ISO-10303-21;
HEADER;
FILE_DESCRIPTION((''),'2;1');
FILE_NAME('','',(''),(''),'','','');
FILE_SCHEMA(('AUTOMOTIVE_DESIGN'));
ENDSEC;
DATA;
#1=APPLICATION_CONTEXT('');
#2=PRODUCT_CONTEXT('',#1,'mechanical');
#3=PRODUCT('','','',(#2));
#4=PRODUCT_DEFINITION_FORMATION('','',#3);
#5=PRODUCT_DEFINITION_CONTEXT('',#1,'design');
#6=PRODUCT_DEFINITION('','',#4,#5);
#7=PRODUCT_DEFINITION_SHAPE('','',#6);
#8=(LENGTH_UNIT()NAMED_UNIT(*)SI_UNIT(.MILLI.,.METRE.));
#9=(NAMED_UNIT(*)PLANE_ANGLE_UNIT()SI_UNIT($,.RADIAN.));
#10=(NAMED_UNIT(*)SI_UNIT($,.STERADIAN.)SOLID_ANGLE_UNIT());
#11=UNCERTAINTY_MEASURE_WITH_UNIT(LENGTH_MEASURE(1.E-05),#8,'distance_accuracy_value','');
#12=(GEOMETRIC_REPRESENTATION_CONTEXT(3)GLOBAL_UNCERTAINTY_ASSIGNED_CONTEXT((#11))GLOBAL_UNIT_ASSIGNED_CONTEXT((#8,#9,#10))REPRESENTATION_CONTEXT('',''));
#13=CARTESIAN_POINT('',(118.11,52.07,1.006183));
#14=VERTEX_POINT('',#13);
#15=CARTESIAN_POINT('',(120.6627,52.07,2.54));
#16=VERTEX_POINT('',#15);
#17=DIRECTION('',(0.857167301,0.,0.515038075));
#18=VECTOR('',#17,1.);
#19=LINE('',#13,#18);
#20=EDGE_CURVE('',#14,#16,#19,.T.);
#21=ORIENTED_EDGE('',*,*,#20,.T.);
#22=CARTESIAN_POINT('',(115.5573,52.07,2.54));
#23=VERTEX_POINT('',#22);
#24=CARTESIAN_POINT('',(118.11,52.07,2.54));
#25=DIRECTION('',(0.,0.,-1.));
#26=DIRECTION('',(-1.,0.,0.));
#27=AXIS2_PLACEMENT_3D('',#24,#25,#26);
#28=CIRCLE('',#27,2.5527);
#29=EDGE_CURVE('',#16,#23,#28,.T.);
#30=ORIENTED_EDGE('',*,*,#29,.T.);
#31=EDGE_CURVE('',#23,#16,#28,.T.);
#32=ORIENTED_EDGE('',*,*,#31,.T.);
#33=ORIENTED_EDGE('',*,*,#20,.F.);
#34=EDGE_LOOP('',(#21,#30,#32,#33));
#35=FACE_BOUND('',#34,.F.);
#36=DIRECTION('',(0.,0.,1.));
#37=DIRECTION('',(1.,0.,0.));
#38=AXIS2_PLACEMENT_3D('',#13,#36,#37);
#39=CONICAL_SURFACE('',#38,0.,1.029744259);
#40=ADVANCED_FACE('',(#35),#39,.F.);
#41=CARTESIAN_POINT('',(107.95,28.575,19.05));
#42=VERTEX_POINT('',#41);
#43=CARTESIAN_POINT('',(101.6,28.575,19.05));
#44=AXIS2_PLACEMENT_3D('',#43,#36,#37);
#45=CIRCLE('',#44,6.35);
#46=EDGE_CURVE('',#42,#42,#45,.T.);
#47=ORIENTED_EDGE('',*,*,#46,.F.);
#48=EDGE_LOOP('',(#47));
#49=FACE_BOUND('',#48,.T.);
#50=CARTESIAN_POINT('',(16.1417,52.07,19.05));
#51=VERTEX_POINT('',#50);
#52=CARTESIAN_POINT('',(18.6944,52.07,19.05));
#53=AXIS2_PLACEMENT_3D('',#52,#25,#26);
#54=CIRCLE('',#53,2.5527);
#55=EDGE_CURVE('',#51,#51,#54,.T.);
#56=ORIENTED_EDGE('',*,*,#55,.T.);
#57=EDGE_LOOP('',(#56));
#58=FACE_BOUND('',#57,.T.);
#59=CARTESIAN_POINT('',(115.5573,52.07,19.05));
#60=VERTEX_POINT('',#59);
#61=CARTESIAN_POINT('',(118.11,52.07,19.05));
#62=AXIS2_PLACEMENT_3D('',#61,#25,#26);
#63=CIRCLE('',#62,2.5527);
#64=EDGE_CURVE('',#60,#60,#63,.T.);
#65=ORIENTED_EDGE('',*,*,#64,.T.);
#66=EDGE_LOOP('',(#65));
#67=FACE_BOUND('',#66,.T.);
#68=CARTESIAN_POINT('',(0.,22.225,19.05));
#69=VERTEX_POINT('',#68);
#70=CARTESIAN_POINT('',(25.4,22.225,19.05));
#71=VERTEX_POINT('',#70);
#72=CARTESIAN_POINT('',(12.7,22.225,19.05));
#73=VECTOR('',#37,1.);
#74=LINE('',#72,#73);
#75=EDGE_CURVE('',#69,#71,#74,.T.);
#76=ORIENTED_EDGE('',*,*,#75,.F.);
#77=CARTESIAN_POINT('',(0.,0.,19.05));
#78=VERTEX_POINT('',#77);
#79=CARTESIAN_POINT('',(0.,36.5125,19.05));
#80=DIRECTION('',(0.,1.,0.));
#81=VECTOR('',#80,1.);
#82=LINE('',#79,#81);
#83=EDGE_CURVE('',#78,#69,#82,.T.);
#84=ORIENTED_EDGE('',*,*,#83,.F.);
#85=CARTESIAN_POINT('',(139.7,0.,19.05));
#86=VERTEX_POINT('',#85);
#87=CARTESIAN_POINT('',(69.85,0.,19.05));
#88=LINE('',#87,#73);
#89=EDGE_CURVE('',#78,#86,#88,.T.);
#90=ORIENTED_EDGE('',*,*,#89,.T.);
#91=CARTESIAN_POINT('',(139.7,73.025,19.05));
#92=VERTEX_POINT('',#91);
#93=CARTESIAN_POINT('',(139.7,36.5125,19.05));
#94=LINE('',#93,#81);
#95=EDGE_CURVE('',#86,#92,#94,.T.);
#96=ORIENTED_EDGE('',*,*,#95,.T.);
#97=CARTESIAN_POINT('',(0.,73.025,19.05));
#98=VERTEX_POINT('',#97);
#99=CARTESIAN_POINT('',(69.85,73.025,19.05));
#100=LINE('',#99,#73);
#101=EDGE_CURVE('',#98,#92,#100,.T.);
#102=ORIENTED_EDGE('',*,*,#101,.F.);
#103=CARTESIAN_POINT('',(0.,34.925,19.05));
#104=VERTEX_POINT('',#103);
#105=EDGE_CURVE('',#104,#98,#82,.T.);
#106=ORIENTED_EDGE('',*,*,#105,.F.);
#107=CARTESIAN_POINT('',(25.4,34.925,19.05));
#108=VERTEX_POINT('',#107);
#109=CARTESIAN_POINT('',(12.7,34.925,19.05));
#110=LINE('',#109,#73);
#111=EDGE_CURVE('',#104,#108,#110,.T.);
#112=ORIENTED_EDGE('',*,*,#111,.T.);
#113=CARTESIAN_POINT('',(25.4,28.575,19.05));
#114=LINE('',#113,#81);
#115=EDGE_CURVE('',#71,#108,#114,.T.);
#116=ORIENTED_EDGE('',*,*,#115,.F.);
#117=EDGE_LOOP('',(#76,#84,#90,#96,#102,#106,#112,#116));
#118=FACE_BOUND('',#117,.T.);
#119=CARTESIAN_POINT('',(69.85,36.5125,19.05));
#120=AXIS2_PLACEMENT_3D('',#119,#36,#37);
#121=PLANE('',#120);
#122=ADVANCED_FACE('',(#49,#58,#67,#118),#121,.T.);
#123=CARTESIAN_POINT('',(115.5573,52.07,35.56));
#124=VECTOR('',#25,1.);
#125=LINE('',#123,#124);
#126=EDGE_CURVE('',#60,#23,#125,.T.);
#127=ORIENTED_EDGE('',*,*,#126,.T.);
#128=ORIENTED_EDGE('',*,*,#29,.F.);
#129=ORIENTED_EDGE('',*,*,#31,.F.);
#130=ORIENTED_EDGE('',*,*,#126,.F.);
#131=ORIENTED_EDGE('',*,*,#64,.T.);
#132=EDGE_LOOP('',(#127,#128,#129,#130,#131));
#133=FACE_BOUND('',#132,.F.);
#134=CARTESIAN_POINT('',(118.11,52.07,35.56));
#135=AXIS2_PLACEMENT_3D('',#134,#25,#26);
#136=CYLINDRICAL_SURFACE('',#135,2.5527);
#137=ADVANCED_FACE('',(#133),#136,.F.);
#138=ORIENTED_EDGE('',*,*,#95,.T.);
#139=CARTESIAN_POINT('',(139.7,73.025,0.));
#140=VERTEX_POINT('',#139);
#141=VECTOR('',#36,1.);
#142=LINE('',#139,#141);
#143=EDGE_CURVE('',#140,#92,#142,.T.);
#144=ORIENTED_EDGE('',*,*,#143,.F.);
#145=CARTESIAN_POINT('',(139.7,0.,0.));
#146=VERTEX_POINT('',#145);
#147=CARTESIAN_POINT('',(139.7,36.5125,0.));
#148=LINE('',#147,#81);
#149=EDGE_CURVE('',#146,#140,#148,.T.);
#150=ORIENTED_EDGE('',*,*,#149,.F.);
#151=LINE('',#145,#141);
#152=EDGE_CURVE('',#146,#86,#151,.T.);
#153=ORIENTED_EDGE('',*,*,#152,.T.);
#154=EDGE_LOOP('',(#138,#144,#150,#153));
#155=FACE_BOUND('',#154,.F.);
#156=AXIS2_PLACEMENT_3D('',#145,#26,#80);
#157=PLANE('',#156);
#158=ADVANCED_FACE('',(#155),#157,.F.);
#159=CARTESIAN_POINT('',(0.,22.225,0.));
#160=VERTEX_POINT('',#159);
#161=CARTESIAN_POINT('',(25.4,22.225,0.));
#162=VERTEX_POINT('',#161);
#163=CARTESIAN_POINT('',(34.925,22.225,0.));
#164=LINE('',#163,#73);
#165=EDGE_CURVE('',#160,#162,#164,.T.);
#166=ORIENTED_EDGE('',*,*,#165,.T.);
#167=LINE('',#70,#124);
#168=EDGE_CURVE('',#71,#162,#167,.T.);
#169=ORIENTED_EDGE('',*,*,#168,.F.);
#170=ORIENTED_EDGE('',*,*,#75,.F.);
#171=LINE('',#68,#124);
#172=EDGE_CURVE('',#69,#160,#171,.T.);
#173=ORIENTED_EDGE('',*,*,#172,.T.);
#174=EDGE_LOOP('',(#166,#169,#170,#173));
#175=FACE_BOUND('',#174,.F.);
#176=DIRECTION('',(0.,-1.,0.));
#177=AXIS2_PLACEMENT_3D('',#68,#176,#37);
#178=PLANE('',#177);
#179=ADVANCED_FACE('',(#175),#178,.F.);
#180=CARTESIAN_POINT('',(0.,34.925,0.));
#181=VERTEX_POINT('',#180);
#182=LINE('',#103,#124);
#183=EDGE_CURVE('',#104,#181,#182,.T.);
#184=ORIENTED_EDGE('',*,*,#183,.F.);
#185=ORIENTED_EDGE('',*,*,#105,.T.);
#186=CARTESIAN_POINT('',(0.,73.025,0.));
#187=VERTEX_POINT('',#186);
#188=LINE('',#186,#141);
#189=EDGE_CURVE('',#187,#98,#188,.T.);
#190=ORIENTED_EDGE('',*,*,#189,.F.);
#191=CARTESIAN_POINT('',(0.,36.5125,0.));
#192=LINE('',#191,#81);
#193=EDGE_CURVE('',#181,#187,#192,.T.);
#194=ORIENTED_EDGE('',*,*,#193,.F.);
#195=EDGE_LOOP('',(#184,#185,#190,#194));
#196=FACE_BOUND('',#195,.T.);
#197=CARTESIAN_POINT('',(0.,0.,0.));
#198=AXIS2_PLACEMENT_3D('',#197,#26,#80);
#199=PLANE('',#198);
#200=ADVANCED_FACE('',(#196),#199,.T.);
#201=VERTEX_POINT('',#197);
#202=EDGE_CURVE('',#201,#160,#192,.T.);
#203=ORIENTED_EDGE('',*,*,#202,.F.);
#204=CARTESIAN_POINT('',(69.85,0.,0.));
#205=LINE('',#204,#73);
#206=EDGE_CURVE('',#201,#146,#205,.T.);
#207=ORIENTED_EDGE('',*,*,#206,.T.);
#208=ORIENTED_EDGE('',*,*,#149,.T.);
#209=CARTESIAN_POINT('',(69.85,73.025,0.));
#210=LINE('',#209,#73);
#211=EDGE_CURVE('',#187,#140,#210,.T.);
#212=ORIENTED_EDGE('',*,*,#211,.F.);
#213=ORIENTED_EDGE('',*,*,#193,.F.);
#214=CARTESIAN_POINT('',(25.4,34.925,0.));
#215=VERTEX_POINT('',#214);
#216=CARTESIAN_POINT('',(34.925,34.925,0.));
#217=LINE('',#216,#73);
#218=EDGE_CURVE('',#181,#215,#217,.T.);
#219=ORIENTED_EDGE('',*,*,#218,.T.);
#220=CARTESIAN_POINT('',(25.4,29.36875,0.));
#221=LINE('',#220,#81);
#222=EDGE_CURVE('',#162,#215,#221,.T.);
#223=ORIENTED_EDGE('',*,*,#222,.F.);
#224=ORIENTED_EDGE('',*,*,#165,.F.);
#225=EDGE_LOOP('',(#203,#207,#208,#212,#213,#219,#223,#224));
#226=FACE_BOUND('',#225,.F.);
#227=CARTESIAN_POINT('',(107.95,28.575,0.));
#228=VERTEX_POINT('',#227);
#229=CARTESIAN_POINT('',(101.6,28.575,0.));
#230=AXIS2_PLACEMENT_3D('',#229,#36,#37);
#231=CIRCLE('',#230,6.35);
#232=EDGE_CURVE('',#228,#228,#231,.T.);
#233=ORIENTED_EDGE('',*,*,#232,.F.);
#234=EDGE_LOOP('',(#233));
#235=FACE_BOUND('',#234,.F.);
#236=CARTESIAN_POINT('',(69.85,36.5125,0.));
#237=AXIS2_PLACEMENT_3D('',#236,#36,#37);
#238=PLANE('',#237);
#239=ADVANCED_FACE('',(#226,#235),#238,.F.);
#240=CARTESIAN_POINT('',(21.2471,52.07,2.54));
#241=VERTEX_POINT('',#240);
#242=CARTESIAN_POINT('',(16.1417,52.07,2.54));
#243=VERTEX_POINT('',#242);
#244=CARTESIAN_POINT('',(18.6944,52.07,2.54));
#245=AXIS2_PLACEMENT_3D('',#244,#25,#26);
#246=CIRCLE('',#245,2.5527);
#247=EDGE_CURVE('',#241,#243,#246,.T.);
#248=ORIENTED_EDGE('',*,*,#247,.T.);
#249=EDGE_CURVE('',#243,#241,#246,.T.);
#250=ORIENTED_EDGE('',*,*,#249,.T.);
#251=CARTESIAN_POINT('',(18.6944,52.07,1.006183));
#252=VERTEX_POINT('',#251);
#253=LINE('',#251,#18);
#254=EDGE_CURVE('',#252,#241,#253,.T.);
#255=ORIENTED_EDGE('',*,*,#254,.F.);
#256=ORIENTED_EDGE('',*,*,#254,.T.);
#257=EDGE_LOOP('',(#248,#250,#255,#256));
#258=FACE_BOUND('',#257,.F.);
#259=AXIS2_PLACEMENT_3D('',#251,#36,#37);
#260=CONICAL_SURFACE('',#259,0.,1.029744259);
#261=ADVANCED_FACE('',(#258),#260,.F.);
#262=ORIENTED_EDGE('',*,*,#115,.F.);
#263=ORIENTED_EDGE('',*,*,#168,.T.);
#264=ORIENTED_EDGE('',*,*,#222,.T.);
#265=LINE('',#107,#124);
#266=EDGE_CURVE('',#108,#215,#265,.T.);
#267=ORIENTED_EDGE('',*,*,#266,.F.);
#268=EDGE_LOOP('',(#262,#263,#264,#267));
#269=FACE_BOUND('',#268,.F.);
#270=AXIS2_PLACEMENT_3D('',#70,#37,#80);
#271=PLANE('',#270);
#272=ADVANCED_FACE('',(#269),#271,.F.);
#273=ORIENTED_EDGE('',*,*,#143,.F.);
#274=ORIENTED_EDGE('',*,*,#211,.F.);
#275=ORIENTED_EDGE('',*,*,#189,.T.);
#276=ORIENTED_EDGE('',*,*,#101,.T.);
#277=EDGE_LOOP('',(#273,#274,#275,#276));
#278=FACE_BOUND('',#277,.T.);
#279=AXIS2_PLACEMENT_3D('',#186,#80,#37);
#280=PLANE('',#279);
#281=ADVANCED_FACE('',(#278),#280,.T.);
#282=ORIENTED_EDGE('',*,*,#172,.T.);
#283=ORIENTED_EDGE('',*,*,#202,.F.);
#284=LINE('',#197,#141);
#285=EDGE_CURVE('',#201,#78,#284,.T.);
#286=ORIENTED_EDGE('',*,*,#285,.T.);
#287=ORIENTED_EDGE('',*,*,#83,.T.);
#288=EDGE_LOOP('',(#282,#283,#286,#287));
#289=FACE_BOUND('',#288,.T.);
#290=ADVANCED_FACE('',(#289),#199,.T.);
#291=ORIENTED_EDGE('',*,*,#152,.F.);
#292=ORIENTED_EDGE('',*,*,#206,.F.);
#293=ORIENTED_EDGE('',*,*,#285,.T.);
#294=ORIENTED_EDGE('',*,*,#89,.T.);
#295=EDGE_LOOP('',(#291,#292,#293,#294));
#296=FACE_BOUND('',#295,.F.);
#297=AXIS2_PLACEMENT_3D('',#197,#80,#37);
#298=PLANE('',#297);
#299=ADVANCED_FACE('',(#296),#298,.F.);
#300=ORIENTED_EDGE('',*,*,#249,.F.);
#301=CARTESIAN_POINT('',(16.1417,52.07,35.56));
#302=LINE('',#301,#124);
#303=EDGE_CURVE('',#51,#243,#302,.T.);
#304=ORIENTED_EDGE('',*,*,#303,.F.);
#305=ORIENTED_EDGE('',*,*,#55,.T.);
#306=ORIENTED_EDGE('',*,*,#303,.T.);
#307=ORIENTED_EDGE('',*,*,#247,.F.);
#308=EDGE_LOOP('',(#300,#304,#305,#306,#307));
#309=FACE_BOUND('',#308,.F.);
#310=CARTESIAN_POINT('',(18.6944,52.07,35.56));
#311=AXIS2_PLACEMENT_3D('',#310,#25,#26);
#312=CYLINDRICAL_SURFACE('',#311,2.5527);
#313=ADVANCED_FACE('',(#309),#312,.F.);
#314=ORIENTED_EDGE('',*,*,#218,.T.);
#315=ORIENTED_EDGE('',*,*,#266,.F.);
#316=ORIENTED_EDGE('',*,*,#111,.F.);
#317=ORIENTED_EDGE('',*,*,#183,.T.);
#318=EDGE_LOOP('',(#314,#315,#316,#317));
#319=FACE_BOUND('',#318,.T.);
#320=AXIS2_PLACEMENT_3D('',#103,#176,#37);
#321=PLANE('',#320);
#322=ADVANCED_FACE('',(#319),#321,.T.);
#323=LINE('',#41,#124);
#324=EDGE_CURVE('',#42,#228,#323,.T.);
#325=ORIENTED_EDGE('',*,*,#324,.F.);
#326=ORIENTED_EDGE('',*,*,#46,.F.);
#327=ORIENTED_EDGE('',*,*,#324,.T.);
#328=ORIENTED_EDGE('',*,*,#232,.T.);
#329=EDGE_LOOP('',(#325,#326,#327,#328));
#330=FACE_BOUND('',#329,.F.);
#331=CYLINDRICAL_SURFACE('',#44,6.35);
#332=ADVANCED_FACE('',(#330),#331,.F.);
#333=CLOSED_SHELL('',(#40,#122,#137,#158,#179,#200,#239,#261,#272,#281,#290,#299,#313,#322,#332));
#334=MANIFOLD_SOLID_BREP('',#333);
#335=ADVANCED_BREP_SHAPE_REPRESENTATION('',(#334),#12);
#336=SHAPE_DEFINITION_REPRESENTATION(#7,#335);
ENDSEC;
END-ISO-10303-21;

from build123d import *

# Parameters (mm, degrees)
F0_W     = 139.7
F0_H     = 73.025
F1_DEPTH = 19.05
F2_W     = 25.4
F2_H     = 12.7
F2_R     = 6.35
F3_DEPTH = 25.4
F5_D     = 5.1054
F5_DEPTH = 16.51
F5_TIP   = 1.5338169022


with BuildPart() as f1:
    # F0 (on Top) → F1 (new body)
    with BuildSketch(Plane.XY):
        with Locations((69.85, 36.5125)):
            Rectangle(F0_W, F0_H)
    extrude(amount=F1_DEPTH)

    # F2 (on face) → F3 (cut)
    with BuildSketch(Plane.XY.offset(19.05)):
        with Locations((12.7, 28.575)):
            Rectangle(F2_W, F2_H)
        with Locations((101.6, 28.575)):
            Circle(F2_R)
    extrude(amount=-F3_DEPTH, mode=Mode.SUBTRACT)

    # F5
    with Locations(Plane.XY.offset(19.05)):
        with Locations((18.6944, 52.07), (118.11, 52.07)):
            Hole(F5_D / 2, depth=F5_DEPTH)
            with Locations((0, 0, -(F5_DEPTH + F5_TIP / 2))):  # 118° drill point
                Cone(0, F5_D / 2, F5_TIP, mode=Mode.SUBTRACT)


solid = f1.part
